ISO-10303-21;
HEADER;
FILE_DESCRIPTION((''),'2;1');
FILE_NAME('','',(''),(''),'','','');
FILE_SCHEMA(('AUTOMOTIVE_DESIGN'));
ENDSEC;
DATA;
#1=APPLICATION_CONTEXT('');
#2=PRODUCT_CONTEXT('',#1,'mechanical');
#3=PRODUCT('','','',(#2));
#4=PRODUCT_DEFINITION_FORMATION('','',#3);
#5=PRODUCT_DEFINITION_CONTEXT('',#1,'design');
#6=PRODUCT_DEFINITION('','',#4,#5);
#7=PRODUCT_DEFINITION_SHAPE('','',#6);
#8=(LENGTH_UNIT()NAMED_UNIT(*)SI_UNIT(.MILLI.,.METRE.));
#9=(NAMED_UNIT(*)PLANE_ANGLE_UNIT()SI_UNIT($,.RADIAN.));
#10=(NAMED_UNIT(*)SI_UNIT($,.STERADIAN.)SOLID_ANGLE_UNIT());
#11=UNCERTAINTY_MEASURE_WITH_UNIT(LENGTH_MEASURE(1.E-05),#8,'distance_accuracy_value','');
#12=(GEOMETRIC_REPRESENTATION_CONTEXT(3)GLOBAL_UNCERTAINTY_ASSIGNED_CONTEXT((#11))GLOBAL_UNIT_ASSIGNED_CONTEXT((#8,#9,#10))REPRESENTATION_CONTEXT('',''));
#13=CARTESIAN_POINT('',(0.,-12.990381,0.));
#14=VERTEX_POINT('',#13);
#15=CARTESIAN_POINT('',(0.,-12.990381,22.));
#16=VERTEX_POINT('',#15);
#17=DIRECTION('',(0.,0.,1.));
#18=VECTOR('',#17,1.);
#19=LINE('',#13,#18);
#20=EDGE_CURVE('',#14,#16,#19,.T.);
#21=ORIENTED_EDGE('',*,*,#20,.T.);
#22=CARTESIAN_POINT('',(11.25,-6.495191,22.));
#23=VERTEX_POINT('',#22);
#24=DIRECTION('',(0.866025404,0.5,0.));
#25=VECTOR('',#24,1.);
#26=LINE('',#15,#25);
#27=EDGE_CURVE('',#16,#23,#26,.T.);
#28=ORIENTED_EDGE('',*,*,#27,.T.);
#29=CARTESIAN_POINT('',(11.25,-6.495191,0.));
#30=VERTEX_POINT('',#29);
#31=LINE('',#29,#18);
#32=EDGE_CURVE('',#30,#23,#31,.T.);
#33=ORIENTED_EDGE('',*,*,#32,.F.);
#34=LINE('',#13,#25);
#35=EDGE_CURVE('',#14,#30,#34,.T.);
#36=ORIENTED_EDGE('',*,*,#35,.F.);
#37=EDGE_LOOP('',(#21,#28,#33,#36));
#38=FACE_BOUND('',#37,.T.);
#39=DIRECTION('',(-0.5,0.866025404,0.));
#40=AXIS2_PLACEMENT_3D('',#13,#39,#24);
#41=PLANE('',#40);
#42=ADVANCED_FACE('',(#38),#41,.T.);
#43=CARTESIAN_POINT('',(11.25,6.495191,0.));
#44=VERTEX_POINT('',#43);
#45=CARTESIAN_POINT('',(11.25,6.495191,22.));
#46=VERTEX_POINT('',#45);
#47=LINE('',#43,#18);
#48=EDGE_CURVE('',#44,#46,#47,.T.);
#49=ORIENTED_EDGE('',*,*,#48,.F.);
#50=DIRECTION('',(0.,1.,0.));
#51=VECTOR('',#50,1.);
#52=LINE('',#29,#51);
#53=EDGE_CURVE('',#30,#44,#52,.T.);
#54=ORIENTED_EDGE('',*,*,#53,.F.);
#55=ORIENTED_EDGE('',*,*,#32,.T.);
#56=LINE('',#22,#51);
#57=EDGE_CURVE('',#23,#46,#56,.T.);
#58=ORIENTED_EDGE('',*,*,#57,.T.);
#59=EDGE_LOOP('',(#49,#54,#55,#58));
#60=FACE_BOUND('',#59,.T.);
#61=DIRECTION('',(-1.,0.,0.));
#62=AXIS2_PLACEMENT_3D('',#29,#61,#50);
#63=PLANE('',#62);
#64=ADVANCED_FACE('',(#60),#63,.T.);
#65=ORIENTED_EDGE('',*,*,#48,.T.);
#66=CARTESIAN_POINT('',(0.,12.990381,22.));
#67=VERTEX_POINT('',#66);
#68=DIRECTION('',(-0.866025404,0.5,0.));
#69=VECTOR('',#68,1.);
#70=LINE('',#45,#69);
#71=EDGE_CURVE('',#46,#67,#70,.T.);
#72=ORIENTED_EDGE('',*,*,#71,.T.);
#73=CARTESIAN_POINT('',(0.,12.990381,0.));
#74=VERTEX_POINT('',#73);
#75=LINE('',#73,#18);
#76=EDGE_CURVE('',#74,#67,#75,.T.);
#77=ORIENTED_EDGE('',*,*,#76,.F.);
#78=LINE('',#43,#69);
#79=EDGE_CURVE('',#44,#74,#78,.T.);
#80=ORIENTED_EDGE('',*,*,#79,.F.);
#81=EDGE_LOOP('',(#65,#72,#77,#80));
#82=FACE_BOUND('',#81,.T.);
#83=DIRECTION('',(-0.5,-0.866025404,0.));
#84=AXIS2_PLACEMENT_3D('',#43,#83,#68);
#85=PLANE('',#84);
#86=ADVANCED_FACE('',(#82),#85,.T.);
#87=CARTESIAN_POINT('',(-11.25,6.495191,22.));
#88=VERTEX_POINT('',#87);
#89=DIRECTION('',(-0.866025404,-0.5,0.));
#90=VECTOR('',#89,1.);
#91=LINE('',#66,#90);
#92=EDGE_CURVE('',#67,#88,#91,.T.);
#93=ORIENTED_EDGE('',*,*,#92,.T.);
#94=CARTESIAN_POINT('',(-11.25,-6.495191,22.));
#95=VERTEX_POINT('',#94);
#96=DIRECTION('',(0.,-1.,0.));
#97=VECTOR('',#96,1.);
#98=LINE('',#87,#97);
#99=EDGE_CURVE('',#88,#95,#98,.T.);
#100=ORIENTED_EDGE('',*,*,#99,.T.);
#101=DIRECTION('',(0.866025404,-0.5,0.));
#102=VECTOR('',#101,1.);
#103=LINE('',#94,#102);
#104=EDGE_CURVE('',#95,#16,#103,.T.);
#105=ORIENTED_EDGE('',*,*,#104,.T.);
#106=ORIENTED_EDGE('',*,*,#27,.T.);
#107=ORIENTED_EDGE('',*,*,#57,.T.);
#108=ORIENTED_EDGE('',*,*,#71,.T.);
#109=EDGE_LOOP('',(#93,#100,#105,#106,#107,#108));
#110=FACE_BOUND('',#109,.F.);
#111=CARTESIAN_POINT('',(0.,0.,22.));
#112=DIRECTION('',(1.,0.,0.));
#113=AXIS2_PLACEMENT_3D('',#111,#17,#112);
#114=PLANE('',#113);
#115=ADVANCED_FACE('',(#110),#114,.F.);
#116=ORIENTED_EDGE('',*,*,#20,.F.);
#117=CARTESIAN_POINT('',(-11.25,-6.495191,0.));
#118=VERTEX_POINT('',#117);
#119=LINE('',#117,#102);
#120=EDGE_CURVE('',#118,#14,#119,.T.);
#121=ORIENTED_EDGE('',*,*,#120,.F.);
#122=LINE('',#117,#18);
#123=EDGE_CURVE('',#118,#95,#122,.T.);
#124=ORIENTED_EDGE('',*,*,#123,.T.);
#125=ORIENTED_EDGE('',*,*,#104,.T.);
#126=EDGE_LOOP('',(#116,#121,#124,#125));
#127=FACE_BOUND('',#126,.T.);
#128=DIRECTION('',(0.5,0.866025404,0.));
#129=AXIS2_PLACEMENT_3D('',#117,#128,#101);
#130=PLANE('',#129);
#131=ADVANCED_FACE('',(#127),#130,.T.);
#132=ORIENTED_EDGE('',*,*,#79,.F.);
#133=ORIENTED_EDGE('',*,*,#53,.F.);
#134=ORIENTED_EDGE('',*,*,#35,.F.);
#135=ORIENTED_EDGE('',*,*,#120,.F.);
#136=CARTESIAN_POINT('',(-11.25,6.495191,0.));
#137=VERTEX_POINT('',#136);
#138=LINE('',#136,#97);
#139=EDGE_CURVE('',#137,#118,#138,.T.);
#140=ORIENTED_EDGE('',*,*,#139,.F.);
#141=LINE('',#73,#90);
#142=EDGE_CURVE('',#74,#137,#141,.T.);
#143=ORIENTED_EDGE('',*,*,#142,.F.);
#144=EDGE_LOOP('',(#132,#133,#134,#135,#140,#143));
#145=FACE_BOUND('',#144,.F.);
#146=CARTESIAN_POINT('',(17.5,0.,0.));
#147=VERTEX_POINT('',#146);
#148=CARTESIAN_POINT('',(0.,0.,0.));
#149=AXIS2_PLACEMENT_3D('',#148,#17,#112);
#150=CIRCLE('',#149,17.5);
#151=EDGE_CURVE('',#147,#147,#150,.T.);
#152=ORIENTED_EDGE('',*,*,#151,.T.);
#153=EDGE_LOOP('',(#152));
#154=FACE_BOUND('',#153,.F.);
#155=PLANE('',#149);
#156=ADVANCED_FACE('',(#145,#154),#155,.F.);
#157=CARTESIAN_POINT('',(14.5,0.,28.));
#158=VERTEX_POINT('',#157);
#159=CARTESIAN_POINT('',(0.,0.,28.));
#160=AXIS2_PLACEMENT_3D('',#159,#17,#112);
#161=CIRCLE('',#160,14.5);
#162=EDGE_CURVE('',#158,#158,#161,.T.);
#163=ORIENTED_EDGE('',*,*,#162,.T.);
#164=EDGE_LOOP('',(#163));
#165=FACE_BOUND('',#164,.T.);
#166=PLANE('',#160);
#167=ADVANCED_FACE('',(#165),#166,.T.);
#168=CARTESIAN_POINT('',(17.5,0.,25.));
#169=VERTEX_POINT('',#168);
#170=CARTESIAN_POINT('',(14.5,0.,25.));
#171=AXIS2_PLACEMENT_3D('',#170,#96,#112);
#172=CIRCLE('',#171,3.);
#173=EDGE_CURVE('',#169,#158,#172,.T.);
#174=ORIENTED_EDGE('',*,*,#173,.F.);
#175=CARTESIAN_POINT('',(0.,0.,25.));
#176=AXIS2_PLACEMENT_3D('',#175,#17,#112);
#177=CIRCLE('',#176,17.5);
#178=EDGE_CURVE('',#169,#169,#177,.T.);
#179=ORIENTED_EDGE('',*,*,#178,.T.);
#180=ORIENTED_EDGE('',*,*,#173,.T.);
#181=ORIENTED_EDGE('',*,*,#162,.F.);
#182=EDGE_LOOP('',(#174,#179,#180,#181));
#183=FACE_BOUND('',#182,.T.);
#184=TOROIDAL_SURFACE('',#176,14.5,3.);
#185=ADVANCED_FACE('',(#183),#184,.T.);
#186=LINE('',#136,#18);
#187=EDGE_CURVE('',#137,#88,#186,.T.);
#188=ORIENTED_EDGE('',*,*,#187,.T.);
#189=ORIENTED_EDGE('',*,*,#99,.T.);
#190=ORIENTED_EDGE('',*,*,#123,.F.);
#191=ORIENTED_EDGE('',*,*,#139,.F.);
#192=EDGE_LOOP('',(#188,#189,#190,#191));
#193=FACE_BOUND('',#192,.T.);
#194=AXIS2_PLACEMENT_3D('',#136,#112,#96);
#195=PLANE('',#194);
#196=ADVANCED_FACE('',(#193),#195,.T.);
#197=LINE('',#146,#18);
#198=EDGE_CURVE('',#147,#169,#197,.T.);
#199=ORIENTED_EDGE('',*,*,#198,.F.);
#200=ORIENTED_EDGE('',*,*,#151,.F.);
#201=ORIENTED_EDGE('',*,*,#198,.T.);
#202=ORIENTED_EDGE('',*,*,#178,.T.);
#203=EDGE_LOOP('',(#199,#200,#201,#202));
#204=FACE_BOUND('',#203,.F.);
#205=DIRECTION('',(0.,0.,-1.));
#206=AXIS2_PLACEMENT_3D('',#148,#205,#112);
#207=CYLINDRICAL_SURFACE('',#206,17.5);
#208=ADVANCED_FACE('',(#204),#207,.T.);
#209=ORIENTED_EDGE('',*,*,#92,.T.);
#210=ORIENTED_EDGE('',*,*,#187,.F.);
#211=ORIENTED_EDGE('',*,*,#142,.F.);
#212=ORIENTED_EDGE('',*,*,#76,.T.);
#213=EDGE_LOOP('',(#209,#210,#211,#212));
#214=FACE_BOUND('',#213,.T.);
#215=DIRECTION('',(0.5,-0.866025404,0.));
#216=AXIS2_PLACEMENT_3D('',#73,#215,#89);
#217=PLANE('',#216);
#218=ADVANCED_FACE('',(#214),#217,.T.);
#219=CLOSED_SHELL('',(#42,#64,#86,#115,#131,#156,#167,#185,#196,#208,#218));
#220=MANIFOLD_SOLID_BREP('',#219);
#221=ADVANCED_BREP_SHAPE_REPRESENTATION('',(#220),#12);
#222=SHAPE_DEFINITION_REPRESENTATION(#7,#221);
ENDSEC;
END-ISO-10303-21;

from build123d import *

# Parameters (mm, degrees)
F0_R     = 17.5
F1_DEPTH = 28
F2_DEPTH = 22
F3_R     = 3


with BuildPart() as f1:
    # F0 (on Top) → F1 (new body)
    with BuildSketch(Plane.XY):
        Circle(F0_R)
        Polygon((-11.25, 6.4951905284), (0, 12.9903810568), (11.25, 6.4951905284), (11.25, -6.4951905284), (0, -12.9903810568), (-11.25, -6.4951905284), align=None, mode=Mode.SUBTRACT)
        Polygon((11.25, 6.4951905284), (0, 12.9903810568), (-11.25, 6.4951905284), (-11.25, -6.4951905284), (0, -12.9903810568), (11.25, -6.4951905284), align=None)
    extrude(amount=F1_DEPTH)

    # F0 (on Top) → F2 (cut)
    with BuildSketch(Plane.XY):
        Polygon((11.25, 6.4951905284), (0, 12.9903810568), (-11.25, 6.4951905284), (-11.25, -6.4951905284), (0, -12.9903810568), (11.25, -6.4951905284), align=None)
    extrude(amount=F2_DEPTH, mode=Mode.SUBTRACT)

    # F3
    f3_edges = [f1.edges().sort_by_distance(p)[0] for p in [
        (-17.5, 0, 28),
    ]]
    fillet(f3_edges, radius=F3_R)


solid = f1.part
